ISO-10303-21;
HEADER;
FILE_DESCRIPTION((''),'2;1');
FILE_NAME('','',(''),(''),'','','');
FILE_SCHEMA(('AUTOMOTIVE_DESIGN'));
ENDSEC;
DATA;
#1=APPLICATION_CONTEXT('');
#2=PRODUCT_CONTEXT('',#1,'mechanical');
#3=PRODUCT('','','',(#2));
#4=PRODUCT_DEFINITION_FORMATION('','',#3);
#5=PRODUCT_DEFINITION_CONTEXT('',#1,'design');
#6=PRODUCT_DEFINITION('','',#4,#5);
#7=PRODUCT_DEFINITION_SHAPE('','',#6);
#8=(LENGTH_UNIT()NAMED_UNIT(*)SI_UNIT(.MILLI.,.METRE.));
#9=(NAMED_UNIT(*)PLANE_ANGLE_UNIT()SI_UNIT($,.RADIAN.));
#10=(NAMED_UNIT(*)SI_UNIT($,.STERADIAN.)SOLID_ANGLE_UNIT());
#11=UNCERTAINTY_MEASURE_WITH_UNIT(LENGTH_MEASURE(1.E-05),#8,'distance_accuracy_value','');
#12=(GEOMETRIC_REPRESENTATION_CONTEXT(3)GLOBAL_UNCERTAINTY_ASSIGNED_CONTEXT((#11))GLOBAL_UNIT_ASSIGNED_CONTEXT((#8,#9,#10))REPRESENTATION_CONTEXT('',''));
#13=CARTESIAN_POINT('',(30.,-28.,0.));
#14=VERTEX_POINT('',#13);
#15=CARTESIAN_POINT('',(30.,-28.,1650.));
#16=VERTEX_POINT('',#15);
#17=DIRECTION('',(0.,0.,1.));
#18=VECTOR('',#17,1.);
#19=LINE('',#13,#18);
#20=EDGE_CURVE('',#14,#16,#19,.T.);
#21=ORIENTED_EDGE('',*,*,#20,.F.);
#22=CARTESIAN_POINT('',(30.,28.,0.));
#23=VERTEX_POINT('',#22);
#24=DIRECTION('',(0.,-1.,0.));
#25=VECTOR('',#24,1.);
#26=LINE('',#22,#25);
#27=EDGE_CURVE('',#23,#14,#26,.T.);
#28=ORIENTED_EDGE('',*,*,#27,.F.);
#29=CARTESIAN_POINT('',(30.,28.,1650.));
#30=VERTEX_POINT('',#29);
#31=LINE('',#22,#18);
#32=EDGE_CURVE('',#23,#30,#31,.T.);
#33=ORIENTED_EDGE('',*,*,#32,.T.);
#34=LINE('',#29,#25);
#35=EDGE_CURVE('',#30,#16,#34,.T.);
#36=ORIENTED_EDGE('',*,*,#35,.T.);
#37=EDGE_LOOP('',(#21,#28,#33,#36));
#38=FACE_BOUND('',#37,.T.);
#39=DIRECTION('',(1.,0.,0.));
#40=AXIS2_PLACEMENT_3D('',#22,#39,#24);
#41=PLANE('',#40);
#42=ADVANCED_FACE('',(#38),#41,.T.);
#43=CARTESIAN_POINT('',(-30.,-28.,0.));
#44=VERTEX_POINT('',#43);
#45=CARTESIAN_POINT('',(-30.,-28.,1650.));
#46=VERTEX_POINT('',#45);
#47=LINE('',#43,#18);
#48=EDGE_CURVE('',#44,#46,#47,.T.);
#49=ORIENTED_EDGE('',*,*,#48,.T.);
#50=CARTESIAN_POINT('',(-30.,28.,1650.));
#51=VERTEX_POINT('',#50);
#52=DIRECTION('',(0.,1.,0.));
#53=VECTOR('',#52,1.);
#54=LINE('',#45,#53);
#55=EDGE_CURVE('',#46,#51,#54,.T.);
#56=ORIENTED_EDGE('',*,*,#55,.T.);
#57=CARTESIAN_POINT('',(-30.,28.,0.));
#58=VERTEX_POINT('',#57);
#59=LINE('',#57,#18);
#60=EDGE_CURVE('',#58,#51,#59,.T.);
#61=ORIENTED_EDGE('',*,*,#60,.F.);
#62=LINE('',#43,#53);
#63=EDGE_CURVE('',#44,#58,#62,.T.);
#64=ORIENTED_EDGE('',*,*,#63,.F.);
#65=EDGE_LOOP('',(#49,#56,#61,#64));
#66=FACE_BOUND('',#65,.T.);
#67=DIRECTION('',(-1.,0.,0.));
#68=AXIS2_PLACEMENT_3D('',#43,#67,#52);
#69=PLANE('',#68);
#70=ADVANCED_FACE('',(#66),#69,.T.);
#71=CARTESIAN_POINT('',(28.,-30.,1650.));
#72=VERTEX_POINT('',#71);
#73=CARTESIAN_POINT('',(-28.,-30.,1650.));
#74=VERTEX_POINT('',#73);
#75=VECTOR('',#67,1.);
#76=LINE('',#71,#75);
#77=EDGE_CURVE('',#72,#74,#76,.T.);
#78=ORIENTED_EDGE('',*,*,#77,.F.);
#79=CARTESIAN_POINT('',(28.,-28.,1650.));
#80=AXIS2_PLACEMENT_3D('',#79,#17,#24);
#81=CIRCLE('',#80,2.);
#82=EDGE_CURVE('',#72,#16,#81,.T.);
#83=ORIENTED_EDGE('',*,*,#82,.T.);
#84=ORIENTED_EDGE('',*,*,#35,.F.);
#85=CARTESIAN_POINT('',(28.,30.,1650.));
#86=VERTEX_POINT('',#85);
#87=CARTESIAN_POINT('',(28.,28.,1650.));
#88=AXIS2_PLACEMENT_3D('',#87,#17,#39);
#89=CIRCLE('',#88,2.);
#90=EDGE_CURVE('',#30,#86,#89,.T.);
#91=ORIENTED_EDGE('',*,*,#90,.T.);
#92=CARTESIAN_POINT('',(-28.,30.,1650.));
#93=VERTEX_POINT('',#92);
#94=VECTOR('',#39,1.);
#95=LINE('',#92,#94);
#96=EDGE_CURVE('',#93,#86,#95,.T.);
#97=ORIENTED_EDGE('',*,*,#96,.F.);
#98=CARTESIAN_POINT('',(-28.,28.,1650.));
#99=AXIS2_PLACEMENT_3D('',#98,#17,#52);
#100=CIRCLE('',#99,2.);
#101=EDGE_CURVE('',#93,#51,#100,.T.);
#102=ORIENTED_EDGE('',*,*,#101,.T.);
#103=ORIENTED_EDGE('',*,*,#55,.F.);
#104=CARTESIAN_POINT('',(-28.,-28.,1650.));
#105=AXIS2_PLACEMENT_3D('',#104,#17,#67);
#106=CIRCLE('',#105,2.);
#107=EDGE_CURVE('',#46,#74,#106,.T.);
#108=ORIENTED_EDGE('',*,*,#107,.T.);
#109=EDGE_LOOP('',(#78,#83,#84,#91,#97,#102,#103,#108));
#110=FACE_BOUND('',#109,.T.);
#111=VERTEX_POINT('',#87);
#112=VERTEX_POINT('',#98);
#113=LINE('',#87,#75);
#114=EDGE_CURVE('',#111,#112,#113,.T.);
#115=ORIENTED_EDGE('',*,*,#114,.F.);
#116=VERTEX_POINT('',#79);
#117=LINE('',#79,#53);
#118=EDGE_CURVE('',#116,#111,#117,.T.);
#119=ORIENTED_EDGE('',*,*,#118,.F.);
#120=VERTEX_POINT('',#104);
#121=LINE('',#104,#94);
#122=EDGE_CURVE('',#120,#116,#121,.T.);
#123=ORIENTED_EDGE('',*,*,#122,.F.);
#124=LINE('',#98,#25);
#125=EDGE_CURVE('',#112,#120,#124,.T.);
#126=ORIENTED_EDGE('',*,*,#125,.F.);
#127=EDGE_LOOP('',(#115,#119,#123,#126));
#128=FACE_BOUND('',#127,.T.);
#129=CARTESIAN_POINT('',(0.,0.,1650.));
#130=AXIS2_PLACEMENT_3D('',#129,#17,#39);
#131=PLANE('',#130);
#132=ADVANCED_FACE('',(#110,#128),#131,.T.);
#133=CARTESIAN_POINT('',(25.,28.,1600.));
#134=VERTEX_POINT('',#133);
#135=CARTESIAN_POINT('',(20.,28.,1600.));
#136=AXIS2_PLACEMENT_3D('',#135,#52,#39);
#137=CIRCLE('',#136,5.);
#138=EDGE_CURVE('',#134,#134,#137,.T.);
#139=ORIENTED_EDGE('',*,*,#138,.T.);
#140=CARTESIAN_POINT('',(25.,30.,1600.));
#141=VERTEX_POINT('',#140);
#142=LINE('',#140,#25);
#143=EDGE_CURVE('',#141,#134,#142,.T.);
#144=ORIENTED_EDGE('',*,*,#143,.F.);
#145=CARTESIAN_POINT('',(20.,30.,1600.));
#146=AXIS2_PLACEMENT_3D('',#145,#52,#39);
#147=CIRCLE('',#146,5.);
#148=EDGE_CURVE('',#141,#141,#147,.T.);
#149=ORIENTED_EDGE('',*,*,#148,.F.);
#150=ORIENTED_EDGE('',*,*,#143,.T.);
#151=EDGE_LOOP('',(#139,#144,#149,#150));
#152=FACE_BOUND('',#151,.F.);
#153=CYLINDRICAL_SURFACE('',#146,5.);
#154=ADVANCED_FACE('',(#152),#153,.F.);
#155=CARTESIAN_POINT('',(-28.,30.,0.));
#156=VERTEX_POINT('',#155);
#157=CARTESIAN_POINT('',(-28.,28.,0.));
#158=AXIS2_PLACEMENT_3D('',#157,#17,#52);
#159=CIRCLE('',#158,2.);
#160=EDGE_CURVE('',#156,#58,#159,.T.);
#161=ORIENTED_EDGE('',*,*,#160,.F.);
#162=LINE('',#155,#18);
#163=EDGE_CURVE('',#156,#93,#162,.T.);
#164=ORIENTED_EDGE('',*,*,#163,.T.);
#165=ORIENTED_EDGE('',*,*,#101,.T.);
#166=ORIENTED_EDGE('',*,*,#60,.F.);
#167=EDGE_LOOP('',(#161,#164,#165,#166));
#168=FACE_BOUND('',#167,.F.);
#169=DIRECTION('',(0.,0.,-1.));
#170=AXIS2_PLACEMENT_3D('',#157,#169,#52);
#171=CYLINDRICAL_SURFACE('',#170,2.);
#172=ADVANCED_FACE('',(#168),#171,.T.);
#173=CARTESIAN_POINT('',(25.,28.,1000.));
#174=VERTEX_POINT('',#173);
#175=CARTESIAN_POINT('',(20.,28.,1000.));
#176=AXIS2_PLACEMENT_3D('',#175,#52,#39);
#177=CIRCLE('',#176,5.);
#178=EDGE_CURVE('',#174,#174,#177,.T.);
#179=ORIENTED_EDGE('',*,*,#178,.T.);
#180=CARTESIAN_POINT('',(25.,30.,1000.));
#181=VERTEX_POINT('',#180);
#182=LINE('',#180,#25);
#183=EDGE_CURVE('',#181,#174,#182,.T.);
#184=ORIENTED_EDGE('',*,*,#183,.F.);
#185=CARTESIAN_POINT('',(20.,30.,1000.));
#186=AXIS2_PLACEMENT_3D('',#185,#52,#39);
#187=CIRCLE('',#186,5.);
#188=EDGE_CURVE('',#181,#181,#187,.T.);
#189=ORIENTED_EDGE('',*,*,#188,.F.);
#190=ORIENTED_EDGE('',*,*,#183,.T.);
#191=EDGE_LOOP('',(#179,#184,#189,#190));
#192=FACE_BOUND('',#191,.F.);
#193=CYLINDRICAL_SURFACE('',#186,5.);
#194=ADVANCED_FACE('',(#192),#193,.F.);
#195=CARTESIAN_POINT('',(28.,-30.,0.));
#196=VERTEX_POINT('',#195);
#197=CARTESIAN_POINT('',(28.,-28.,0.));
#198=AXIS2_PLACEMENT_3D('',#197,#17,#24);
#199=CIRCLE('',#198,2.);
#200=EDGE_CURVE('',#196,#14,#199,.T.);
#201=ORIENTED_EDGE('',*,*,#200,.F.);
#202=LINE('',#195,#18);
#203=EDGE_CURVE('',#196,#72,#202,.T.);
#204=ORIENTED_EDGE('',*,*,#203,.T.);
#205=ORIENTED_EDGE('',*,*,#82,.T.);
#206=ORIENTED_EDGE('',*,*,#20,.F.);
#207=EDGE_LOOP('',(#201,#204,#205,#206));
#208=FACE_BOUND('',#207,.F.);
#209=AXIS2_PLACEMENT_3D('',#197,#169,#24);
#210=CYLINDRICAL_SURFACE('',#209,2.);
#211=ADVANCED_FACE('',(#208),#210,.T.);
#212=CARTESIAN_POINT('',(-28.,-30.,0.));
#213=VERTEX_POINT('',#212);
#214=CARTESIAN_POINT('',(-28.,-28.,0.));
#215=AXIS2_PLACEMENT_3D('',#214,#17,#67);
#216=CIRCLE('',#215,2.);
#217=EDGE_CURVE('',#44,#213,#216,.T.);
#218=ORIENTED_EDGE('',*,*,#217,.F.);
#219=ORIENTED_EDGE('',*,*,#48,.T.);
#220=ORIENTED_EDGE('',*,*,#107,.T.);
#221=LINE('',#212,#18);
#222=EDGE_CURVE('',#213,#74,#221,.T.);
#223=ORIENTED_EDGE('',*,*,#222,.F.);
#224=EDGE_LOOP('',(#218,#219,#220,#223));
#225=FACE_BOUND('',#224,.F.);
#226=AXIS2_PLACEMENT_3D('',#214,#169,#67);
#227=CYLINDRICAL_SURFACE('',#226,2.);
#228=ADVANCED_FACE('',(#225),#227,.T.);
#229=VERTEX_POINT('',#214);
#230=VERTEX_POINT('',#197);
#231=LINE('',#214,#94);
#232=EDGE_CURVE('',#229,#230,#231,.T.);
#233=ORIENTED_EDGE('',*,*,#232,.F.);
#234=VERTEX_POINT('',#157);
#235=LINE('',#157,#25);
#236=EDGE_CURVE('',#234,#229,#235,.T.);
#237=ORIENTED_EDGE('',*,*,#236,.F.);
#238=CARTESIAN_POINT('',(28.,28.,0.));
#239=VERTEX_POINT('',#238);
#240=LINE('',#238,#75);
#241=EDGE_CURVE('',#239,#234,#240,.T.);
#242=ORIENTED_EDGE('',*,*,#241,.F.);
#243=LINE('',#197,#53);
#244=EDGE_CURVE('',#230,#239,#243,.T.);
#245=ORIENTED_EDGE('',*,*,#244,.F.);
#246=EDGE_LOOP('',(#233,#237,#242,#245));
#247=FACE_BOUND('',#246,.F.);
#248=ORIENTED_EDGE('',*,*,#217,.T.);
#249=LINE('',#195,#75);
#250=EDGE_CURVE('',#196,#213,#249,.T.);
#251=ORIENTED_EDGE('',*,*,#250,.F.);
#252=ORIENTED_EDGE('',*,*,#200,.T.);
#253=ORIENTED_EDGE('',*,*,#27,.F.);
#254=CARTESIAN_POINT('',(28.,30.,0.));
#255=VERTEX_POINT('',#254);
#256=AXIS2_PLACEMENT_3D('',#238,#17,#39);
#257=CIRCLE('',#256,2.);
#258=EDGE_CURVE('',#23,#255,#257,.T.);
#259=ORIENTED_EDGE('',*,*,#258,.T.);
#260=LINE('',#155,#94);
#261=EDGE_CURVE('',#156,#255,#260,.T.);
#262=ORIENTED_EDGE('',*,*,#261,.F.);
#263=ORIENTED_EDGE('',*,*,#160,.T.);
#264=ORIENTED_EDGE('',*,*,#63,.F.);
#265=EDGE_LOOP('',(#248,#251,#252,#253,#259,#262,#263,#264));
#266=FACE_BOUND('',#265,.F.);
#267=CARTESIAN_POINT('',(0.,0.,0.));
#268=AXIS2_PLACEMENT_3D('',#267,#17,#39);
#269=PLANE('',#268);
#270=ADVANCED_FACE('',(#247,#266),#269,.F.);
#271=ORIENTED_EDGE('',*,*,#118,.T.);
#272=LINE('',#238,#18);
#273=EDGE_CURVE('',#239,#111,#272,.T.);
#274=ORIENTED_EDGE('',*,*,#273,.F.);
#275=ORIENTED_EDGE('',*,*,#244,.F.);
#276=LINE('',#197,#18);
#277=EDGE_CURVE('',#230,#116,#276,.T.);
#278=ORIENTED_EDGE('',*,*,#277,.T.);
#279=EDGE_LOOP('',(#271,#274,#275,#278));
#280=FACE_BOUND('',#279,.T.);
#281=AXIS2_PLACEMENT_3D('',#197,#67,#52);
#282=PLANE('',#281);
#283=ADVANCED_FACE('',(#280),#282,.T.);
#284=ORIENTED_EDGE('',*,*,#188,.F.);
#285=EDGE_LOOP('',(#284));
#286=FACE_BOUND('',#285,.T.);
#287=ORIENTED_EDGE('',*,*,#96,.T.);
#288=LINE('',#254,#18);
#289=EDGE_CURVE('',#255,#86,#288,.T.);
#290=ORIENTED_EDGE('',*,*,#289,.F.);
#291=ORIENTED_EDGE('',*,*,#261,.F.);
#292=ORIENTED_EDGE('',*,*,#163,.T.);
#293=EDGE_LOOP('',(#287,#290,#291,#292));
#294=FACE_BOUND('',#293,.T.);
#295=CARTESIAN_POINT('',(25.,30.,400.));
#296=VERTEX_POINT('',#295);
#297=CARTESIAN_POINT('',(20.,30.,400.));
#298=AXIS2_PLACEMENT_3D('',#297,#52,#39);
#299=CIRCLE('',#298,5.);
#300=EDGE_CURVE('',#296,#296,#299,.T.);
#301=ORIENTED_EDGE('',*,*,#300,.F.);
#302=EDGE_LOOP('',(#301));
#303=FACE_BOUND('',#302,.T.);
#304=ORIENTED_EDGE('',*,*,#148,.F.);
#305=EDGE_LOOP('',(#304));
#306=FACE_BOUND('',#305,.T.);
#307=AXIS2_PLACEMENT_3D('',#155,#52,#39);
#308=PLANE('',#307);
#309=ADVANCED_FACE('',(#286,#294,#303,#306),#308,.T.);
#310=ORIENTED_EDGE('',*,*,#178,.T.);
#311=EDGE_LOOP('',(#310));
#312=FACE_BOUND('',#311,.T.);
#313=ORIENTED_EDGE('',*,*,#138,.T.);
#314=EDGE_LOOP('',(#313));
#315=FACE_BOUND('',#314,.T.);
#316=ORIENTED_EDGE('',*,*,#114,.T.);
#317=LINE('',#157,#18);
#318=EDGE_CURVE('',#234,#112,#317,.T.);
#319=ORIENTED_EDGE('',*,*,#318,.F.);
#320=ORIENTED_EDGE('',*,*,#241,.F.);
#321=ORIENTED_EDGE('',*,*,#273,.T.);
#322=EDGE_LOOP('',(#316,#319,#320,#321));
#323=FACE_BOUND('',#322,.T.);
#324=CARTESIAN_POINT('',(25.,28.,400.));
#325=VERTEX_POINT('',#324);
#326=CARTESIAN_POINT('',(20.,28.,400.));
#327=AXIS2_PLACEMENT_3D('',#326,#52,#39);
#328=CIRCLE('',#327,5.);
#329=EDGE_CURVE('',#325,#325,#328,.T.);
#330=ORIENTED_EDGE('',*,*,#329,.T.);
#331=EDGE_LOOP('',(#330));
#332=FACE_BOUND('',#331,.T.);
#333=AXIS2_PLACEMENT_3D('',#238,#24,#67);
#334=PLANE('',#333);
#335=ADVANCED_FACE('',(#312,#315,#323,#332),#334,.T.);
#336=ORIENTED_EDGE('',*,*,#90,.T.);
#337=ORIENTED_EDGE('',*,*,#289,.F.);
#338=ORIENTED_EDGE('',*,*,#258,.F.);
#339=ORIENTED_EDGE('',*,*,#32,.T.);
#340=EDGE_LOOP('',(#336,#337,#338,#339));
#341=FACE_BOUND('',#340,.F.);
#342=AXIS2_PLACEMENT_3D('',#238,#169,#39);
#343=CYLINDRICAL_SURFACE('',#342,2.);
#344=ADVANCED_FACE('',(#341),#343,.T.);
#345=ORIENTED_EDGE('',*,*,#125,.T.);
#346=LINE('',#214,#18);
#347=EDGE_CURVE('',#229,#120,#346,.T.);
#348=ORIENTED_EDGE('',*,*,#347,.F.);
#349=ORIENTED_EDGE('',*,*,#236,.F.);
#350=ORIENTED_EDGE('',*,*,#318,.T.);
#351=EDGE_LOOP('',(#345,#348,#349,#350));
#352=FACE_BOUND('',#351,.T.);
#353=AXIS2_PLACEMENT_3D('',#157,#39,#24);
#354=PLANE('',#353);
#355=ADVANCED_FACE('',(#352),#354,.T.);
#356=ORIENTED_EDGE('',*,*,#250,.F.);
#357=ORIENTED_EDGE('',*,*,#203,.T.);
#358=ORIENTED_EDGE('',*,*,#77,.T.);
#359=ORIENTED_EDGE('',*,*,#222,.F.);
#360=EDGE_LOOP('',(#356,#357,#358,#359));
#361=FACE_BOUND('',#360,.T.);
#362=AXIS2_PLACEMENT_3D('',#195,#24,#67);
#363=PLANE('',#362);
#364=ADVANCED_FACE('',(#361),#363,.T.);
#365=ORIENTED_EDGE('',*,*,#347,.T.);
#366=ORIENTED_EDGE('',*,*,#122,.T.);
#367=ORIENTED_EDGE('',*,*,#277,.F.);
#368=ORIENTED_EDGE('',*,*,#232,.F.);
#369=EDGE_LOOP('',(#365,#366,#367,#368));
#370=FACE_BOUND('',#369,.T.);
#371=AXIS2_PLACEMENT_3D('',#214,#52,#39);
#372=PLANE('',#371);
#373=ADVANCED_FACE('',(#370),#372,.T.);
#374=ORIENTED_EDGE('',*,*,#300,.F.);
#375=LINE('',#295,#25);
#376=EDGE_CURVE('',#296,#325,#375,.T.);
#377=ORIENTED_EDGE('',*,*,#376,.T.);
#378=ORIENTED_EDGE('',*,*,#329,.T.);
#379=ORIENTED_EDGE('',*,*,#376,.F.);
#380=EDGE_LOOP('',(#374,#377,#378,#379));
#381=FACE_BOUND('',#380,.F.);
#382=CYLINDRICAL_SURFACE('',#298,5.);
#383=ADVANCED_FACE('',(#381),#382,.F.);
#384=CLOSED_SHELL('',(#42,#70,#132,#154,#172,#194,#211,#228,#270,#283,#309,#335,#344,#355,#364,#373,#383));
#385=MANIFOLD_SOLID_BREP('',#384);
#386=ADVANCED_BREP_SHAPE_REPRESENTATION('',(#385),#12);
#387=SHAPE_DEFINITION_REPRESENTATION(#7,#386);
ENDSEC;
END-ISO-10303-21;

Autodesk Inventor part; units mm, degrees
ref_plane "YZ Plane" through (0, 0, 0) normal (1, 0, 0) x (0, 1, 0)
ref_plane "XZ Plane" through (0, 0, 0) normal (0, 1, 0) x (-1, 0, 0)
ref_plane "XY Plane" through (0, 0, 0) normal (0, 0, 1) x (1, 0, 0)
sketch "Sketch1" plane through (0, 0, 0) normal (0, 0, 1) x (1, 0, 0)
  line L0 (-28, 30) -> (28, 30)
  line L1 (30, 28) -> (30, -28)
  line L2 (28, -30) -> (-28, -30)
  line L3 (-30, -28) -> (-30, 28)
  line L4 (-30, 30) -> (30, -30) construction
  line L5 (28, 28) -> (-28, 28)
  line L6 (-28, 28) -> (-28, -28)
  line L7 (-28, -28) -> (28, -28)
  line L8 (28, -28) -> (28, 28)
  arc A0 (-28, 30) -> (-30, 28) centre (-28, 28) ccw
  arc A1 (30, 28) -> (28, 30) centre (28, 28) ccw
  arc A2 (28, -30) -> (30, -28) centre (28, -28) ccw
  arc A3 (-30, -28) -> (-28, -30) centre (-28, -28) ccw
  point P0 (0, 0)
  point P1 (30, 30)
  point P2 (-30, -30)
  point P3 (0, 0)
  dimension "d0" = 60
  dimension "d1" = 60
  dimension "d2" = 2
  dimension "d3" = 2
extrude "Extrusion1" add sketch "Sketch1" along normal blind 1650
sketch "Sketch2" plane through (-28, 30, 0) normal (0, 1, 0) x (1, 0, 0)
  circle A0 centre (48, -1000) radius 5
  line L0 (56, -1650) -> (0, -1650) projected
  line L1 (56, 0) -> (0, 0) projected
  circle A1 centre (48, -400) radius 5
  circle A2 centre (48, -1600) radius 5
  line L2 (48, -116) -> (48, -1518) construction
  line L3 (58, 0) -> (58, -1650) projected
  point P0 (28, 0)
  dimension "d6" = 10
  dimension "d10" = 1000
  dimension "d11" = 10
  dimension "d12" = 10
  dimension "d13" = 600
  dimension "d14" = 600
  dimension "d15" = 10
extrude "Extrusion2" cut sketch "Sketch2" against normal up to next
properties part number "TABLE_BERAM" material "Stainless Steel"
